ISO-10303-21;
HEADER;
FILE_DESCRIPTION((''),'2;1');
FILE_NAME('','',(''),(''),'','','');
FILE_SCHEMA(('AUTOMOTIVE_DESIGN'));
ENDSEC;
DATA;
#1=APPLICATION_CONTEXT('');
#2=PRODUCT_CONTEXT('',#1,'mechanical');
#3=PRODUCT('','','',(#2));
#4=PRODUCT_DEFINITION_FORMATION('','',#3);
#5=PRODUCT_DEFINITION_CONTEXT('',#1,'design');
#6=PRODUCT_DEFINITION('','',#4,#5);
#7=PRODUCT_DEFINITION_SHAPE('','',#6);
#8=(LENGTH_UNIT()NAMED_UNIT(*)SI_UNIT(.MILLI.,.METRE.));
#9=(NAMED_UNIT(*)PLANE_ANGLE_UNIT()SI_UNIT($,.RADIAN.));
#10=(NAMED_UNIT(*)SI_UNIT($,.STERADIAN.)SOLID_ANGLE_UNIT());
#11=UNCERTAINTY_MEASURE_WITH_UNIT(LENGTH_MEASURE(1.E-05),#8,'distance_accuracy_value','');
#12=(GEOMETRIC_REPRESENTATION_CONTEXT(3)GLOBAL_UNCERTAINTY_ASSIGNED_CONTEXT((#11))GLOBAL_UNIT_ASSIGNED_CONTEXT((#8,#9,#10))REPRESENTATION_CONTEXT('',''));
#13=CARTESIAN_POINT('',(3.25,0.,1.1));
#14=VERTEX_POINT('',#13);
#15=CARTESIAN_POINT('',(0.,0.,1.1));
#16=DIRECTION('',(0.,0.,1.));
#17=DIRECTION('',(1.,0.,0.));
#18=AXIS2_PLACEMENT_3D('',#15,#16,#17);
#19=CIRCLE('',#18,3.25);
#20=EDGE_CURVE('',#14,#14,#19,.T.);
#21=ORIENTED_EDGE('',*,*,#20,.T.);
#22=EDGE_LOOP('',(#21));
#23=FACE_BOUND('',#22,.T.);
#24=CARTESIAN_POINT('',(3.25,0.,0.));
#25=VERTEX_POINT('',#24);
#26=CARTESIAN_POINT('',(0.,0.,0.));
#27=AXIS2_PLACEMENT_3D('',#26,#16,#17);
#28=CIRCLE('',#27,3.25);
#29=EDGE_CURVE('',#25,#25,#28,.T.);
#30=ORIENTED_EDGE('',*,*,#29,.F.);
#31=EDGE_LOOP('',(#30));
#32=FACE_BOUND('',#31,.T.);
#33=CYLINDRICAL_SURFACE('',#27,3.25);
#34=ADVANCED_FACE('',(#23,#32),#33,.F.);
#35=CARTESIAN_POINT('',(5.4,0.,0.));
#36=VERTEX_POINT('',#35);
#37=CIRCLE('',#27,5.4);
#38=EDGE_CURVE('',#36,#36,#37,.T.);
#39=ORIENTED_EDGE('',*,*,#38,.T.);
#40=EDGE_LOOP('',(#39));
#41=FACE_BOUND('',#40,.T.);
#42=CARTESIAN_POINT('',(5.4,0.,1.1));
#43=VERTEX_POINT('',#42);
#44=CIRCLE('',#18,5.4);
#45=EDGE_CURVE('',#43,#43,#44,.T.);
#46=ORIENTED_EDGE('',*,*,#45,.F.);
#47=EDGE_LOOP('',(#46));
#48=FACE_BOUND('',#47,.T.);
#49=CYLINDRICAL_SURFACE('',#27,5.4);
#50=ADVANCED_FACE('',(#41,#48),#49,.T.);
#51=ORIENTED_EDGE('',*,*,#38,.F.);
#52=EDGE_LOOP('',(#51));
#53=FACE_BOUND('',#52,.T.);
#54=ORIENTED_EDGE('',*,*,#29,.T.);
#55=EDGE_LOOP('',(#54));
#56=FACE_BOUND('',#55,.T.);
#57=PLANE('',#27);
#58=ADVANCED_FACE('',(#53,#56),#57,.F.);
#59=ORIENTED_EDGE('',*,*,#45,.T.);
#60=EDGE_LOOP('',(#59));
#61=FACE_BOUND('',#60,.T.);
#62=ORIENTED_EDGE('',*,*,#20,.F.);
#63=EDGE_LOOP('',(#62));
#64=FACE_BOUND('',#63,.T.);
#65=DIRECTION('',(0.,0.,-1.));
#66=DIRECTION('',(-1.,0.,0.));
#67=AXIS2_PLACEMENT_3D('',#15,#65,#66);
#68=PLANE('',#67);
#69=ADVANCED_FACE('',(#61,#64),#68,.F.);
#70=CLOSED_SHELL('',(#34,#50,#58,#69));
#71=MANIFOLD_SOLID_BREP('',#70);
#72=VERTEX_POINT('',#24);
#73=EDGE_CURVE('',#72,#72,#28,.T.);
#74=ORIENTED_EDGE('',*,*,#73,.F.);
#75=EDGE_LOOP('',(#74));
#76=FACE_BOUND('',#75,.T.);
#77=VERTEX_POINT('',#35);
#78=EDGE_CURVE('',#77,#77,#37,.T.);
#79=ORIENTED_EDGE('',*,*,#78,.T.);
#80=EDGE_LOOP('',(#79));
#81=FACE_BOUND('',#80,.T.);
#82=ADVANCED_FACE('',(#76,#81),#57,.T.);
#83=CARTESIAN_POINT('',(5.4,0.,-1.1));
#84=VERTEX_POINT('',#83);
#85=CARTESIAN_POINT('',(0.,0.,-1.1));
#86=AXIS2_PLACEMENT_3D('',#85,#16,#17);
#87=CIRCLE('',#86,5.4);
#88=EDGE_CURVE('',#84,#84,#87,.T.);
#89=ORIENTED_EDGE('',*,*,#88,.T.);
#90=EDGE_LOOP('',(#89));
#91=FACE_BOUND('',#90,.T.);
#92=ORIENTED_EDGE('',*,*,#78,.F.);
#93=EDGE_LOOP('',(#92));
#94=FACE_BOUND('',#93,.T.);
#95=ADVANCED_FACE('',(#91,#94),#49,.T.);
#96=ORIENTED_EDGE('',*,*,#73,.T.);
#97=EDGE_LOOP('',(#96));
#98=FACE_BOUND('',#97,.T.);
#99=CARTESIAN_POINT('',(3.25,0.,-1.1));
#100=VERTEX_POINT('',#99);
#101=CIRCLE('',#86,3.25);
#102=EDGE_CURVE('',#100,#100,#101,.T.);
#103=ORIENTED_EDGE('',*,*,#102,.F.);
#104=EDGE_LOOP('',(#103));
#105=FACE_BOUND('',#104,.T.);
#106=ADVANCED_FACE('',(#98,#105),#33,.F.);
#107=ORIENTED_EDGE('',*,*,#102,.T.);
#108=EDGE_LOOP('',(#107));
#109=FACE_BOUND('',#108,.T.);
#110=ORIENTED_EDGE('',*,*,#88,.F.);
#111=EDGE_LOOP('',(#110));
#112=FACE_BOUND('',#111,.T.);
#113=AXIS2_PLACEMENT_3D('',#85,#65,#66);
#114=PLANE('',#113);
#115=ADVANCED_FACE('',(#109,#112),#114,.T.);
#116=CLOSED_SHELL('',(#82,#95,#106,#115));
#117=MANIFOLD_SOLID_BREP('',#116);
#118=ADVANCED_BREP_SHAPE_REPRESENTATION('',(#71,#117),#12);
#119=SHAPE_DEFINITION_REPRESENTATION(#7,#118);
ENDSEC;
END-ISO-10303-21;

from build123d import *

# Parameters (mm, degrees)
SKETCH_8_W   = 1.1
SKETCH_8_H   = 2.15
SKETCH_8_8_W = 1.1
SKETCH_8_8_H = 2.15


with BuildPart() as part:
    # 草图8 → 旋转3 (revolve)
    with BuildSketch(Plane(origin=(0, 0, 0), x_dir=(0, 0, -1), z_dir=(1, 0, 0))):
        with Locations((-0.55, 4.325)):
            Rectangle(SKETCH_8_W, SKETCH_8_H)
    revolve(axis=Axis((0, 0, 0), (0, 0, -1)))


with BuildPart() as body_2:
    # 草图8<8> → 旋转4 (revolve)
    with BuildSketch(Plane(origin=(0, 0, 0), x_dir=(0, 0, -1), z_dir=(1, 0, 0))):
        with Locations((0.55, 4.325)):
            Rectangle(SKETCH_8_8_W, SKETCH_8_8_H)
    revolve(axis=Axis((0, 0, 0), (0, 0, -1)))


solid = Compound([part.part, body_2.part])
